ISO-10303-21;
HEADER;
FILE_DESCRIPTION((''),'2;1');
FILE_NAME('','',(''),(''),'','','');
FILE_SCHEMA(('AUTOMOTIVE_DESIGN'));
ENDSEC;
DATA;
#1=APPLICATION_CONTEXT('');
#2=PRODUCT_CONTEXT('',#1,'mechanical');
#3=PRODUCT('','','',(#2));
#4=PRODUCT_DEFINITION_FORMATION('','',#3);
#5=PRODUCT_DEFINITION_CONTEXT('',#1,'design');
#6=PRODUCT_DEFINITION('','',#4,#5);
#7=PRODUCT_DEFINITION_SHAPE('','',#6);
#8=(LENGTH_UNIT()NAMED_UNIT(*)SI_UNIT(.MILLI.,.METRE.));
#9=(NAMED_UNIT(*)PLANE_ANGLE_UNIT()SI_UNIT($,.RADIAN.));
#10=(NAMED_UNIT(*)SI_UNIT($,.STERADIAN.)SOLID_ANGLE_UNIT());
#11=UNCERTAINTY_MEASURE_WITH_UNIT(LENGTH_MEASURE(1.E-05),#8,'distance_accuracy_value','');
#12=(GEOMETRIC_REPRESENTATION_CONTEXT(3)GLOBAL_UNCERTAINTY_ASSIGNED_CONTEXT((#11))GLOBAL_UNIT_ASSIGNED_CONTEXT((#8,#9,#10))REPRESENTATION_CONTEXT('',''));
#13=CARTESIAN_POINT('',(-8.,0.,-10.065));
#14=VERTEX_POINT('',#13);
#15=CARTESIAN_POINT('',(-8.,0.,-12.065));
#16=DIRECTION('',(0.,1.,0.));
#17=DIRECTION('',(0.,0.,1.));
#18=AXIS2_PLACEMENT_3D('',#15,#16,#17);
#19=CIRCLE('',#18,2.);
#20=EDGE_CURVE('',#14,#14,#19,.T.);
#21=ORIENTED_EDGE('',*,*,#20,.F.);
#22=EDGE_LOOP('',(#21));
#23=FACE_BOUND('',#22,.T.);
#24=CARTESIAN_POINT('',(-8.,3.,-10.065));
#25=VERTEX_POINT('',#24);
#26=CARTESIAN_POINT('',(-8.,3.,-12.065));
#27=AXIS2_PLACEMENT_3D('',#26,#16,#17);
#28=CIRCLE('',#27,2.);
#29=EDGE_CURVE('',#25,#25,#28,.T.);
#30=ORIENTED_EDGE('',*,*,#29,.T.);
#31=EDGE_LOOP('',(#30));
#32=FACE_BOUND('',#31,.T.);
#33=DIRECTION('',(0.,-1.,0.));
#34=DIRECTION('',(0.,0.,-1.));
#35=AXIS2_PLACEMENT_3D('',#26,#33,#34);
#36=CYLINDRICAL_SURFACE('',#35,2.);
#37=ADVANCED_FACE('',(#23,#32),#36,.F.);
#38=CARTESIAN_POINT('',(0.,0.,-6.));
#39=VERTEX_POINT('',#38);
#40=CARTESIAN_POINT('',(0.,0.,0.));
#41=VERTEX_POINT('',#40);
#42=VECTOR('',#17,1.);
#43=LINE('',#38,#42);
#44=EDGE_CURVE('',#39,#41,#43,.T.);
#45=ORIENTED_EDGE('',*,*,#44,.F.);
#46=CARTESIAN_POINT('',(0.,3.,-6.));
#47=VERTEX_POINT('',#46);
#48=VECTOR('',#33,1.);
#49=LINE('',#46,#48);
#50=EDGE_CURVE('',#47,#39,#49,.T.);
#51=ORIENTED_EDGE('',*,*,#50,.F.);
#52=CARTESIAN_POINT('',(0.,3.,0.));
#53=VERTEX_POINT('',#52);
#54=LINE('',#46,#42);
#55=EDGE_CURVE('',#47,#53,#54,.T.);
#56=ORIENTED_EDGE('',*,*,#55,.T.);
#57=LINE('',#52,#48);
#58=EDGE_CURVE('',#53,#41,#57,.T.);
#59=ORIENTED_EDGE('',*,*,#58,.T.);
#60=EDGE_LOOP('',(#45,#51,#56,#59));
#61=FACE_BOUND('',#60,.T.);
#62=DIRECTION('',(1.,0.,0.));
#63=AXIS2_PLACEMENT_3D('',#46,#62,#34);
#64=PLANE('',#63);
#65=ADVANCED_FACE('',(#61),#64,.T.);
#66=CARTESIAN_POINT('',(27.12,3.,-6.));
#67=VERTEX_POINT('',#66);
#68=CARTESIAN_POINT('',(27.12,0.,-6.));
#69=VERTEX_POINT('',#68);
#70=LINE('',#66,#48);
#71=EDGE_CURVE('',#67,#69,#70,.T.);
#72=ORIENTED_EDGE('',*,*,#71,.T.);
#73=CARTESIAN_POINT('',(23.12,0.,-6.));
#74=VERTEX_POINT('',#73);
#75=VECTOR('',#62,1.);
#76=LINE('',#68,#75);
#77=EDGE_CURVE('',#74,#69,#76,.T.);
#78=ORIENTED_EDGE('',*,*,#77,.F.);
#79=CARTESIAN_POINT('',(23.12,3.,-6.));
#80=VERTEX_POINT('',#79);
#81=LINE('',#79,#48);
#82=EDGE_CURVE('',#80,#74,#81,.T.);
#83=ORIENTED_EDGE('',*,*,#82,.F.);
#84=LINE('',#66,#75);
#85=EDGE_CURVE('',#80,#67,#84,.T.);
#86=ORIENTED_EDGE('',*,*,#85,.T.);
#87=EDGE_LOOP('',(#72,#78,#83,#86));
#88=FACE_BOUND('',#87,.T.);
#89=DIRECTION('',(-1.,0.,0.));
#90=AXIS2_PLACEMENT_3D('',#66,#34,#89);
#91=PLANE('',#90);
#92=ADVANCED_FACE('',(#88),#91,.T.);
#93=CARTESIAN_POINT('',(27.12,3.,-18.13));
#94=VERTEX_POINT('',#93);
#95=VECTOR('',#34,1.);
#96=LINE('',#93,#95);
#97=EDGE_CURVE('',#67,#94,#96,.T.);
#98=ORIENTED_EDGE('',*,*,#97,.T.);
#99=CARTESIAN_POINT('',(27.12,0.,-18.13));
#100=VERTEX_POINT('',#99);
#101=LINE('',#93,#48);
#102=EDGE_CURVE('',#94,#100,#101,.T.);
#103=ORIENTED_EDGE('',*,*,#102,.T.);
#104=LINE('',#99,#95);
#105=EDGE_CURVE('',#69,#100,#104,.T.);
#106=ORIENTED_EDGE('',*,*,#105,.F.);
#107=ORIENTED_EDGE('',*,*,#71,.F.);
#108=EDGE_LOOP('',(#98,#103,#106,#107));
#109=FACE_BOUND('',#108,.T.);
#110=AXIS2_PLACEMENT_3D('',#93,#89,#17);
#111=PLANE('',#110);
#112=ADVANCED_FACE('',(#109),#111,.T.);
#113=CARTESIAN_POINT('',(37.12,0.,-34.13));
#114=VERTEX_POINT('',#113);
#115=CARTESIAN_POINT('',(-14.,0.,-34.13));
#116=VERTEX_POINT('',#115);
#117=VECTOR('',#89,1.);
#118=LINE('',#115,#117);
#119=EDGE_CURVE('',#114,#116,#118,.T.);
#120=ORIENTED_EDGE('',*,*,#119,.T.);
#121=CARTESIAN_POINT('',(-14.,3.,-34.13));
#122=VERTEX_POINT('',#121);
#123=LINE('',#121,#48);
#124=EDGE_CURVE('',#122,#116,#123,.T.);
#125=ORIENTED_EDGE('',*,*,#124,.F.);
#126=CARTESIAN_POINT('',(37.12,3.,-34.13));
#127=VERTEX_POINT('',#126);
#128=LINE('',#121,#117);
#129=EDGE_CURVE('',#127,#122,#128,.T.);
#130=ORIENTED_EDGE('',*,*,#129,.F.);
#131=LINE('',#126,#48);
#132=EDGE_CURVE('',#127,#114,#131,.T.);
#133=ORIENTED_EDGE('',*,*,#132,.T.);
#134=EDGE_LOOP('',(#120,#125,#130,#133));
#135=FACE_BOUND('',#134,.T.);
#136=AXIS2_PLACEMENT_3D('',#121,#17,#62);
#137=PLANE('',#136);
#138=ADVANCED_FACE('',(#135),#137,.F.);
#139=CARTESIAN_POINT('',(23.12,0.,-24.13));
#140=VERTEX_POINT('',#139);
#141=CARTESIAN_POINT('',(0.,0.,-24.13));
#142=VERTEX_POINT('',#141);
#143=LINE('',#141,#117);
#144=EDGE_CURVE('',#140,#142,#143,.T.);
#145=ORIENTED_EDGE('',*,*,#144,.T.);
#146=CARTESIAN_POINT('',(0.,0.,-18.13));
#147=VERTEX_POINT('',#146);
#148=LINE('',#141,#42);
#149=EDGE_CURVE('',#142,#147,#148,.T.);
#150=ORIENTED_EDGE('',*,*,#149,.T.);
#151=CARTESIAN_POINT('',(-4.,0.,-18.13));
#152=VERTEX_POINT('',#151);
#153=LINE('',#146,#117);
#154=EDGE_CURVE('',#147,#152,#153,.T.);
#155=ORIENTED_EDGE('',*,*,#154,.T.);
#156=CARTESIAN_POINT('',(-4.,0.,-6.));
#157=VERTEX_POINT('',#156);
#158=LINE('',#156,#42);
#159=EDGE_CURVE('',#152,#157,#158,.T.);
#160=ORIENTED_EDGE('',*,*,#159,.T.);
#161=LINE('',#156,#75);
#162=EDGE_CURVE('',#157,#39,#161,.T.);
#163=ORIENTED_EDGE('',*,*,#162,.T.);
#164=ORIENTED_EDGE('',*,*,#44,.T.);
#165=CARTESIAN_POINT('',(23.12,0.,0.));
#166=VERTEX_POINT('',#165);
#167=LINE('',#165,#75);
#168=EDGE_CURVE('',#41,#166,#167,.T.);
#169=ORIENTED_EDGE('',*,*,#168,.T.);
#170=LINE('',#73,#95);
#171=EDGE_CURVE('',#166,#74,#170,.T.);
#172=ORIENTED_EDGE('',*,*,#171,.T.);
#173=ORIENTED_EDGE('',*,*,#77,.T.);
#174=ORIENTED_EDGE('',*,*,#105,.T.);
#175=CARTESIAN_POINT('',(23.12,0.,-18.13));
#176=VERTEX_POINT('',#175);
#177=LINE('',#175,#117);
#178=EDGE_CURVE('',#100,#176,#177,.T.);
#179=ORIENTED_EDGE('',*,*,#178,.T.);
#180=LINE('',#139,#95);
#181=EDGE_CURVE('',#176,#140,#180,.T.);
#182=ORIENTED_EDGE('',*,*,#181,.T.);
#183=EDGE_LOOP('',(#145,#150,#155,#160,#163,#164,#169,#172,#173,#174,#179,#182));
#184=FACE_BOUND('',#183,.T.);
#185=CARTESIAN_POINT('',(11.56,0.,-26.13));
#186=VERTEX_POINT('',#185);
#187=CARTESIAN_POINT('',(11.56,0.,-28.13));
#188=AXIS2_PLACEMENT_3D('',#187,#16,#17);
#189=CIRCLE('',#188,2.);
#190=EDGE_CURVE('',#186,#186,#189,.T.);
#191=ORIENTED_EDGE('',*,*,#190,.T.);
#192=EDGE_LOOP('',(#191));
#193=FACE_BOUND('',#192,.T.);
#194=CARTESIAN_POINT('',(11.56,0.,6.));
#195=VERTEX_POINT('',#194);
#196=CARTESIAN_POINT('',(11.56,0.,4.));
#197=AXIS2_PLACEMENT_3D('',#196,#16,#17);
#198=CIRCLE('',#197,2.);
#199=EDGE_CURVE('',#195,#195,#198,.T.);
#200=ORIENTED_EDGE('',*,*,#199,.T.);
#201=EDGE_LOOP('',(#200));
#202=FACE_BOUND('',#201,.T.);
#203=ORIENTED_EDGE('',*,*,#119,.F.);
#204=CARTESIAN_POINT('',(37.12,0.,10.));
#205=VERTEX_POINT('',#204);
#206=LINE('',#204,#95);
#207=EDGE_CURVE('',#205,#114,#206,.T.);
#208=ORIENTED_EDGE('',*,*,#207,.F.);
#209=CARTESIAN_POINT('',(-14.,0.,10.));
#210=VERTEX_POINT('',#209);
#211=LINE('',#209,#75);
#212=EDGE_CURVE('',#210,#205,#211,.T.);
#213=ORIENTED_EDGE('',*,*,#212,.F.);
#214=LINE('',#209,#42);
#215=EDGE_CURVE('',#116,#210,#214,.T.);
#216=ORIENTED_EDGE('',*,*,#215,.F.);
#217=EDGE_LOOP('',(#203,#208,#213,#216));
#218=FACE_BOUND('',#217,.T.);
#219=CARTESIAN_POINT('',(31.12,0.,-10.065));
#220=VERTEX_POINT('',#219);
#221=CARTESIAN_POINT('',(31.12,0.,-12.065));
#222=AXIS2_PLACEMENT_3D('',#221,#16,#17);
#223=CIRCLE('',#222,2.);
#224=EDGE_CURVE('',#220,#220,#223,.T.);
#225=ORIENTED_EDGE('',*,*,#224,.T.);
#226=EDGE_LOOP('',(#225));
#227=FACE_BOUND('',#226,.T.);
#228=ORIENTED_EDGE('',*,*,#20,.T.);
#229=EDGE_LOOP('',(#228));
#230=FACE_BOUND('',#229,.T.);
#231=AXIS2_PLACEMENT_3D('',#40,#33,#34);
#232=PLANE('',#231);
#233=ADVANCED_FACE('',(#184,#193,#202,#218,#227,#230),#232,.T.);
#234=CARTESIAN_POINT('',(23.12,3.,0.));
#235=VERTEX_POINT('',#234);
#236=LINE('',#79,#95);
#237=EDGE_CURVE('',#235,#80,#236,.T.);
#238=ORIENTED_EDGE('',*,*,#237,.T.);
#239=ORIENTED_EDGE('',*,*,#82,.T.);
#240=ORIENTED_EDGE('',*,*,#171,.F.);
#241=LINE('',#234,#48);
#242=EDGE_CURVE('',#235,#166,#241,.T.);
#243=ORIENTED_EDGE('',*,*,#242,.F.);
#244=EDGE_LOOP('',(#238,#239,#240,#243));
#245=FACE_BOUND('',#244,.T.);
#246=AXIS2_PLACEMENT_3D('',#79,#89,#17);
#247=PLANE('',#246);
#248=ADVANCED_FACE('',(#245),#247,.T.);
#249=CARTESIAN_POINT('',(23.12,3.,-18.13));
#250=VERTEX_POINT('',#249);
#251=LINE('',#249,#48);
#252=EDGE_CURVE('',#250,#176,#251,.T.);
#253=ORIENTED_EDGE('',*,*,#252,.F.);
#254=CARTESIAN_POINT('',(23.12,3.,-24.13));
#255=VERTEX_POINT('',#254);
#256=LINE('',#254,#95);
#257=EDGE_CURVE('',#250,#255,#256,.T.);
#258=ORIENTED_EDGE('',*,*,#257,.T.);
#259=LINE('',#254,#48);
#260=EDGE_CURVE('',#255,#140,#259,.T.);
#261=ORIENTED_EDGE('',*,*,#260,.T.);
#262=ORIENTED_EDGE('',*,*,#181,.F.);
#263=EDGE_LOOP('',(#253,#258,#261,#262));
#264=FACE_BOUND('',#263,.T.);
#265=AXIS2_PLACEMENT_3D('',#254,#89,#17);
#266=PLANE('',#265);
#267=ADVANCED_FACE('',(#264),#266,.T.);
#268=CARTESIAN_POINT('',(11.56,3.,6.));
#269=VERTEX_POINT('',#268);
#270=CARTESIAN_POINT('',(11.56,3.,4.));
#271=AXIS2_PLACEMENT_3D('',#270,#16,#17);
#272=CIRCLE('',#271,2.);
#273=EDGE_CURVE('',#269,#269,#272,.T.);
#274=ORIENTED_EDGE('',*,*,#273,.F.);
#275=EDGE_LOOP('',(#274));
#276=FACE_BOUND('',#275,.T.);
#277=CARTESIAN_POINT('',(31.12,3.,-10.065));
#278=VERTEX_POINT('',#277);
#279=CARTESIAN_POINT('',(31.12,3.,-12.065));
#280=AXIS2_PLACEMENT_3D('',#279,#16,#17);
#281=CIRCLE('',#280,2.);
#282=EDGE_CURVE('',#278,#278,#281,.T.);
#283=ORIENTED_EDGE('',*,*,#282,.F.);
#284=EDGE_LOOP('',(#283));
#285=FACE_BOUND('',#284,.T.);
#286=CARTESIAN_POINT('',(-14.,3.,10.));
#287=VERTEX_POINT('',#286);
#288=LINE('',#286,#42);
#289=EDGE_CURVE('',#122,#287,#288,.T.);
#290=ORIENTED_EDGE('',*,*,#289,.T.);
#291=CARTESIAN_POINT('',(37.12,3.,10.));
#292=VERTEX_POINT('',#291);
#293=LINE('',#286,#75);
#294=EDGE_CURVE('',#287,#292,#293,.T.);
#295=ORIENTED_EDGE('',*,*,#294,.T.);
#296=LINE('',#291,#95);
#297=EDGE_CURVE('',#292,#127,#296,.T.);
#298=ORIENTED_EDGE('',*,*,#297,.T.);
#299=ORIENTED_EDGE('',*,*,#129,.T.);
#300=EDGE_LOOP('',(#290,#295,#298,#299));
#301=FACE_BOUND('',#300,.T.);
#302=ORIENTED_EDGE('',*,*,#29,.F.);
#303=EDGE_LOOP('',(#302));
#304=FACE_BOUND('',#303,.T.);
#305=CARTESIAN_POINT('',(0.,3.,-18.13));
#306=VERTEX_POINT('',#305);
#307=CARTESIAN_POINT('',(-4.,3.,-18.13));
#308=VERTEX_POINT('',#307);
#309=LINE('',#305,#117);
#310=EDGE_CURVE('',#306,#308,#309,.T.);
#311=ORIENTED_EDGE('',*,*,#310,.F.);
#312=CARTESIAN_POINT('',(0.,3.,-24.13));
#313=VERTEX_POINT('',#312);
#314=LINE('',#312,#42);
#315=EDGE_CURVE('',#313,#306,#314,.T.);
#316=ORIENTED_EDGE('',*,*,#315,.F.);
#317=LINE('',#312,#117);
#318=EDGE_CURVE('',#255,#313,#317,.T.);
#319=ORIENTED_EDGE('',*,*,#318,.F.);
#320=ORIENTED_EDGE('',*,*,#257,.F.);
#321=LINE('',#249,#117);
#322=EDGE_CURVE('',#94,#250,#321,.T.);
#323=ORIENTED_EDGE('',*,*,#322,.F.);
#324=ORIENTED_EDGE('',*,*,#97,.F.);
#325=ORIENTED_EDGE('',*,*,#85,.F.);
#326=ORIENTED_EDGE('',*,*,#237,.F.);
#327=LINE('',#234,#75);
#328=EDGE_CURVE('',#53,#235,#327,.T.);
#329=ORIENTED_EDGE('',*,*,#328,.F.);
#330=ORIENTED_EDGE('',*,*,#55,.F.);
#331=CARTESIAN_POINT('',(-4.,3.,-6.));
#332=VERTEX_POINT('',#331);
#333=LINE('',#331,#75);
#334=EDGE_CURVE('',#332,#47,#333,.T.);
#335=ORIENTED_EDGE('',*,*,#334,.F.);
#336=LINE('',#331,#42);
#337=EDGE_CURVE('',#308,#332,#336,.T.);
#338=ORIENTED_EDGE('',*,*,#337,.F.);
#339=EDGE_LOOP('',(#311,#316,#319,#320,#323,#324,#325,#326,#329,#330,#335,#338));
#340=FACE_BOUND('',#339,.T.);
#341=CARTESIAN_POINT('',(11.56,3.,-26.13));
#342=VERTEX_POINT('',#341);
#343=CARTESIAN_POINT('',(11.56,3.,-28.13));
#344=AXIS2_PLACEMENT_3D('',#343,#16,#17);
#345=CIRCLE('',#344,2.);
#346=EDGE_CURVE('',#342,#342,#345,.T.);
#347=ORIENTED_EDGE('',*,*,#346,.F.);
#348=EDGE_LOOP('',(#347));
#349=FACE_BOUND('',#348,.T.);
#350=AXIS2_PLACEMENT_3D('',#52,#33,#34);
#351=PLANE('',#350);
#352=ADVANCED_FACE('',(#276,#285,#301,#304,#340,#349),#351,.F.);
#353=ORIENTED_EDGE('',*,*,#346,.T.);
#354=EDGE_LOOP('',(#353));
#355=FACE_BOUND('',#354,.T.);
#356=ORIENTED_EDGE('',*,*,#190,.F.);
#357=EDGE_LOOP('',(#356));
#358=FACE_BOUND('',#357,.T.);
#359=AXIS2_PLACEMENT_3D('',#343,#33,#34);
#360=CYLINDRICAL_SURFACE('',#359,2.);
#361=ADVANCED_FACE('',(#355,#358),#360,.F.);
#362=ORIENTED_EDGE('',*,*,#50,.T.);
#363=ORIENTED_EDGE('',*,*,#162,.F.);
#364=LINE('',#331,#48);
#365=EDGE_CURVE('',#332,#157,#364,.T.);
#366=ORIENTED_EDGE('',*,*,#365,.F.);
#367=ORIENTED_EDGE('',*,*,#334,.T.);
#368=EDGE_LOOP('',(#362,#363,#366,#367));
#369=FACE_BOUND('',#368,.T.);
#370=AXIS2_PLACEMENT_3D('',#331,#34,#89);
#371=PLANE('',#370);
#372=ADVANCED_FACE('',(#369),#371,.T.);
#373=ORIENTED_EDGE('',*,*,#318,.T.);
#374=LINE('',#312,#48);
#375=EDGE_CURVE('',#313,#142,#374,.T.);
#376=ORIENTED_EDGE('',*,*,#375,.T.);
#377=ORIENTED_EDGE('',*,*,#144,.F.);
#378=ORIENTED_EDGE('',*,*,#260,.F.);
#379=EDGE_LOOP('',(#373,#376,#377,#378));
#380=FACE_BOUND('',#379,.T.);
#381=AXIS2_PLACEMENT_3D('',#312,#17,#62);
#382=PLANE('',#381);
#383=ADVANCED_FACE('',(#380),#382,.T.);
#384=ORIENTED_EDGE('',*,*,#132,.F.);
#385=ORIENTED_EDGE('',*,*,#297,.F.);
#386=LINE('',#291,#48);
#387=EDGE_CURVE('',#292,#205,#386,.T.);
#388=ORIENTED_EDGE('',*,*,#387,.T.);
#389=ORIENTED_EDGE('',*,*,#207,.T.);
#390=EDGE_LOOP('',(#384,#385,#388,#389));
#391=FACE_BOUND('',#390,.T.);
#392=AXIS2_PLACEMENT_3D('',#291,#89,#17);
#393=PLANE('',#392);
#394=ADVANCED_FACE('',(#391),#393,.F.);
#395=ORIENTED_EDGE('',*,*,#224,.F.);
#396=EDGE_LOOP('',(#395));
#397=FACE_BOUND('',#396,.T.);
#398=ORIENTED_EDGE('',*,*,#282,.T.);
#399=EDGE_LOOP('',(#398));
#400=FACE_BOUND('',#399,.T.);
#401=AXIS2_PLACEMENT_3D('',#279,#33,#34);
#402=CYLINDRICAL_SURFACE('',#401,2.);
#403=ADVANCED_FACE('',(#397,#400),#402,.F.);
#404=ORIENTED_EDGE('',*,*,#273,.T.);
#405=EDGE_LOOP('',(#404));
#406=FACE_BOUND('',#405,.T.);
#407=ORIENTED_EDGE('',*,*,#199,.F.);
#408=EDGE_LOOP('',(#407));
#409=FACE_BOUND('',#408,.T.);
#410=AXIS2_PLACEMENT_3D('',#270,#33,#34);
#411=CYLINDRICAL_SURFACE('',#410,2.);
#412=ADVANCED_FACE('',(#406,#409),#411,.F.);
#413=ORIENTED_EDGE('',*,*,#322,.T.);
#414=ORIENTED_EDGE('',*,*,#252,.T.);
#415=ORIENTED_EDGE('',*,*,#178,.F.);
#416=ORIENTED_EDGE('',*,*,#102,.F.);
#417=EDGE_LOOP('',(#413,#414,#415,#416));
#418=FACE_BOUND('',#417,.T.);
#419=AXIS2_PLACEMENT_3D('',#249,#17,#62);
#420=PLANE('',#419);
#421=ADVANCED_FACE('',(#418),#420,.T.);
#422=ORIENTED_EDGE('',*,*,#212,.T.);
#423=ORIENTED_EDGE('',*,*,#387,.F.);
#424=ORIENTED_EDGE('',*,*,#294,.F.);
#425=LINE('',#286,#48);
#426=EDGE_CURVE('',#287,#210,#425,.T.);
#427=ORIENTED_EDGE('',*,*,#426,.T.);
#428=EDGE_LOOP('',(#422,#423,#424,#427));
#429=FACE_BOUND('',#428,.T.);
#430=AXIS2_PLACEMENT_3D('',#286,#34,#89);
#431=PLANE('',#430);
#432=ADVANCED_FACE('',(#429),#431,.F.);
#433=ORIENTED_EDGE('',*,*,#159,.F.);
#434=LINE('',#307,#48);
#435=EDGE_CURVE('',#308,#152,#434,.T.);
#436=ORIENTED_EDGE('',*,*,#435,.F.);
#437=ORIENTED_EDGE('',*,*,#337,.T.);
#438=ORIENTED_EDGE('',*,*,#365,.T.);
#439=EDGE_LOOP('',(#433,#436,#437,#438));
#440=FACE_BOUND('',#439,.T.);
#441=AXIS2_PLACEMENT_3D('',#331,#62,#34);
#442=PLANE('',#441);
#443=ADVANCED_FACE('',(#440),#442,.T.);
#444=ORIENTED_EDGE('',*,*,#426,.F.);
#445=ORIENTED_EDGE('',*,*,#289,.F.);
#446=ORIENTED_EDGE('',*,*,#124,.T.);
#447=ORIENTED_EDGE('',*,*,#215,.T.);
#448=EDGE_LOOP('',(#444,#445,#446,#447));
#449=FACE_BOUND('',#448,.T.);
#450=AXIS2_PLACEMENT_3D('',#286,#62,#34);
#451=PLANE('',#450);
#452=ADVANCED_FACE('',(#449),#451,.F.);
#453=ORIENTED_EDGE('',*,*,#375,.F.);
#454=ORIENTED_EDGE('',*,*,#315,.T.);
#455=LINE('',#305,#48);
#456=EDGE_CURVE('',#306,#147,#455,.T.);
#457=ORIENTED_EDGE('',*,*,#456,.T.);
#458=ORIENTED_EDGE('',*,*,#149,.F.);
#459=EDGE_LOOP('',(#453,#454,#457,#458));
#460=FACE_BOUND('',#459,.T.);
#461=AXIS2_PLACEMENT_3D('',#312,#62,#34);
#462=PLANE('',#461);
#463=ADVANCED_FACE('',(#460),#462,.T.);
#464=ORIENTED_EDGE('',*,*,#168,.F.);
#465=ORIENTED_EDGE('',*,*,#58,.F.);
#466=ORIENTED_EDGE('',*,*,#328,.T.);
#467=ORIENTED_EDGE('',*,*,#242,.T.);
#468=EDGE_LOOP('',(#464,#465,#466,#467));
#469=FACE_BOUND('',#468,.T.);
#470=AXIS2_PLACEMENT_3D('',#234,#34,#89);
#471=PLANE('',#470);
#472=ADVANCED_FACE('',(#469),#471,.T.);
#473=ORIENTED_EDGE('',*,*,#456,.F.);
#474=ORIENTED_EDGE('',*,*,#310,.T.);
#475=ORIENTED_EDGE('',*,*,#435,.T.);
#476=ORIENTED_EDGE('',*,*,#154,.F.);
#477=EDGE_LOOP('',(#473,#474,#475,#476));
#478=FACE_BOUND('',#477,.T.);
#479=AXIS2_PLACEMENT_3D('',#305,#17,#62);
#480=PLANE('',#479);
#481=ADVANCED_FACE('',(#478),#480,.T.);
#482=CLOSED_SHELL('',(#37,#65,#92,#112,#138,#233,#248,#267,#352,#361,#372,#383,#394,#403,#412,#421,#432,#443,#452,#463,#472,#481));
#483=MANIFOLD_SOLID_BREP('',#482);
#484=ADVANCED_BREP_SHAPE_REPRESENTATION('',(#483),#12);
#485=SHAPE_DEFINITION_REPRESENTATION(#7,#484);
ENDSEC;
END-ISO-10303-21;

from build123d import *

# Parameters (mm, degrees)
ESBO_O1_W                = 51.12
ESBO_O1_H                = 44.13
ESBO_O1_R                = 2
RESSALTO_EXTRUS_O1_DEPTH = 3


with BuildPart() as part:
    # Esboço1 → Ressalto-extrusão1 (new body)
    with BuildSketch(Plane(origin=(0, 0, 0), x_dir=(1, 0, 0), z_dir=(0, 1, 0))):
        with Locations((11.56, 12.065)):
            Rectangle(ESBO_O1_W, ESBO_O1_H)
        with Locations(Location((31.12, 12.065, 0), (0, 0, 270))):
            Circle(ESBO_O1_R, mode=Mode.SUBTRACT)
        with Locations(Location((-8, 12.065, 0), (0, 0, 270))):
            Circle(ESBO_O1_R, mode=Mode.SUBTRACT)
        with Locations(Location((11.56, 28.13, 0), (0, 0, 270))):
            Circle(ESBO_O1_R, mode=Mode.SUBTRACT)
        with Locations(Location((11.56, -4, 0), (0, 0, 270))):
            Circle(ESBO_O1_R, mode=Mode.SUBTRACT)
        Polygon((23.12, 24.13), (23.12, 18.13), (27.12, 18.13), (27.12, 6), (23.12, 6), (23.12, 0), (0, 0), (0, 6), (-4, 6), (-4, 18.13), (0, 18.13), (0, 24.13), align=None, mode=Mode.SUBTRACT)
    extrude(amount=RESSALTO_EXTRUS_O1_DEPTH)


solid = part.part
